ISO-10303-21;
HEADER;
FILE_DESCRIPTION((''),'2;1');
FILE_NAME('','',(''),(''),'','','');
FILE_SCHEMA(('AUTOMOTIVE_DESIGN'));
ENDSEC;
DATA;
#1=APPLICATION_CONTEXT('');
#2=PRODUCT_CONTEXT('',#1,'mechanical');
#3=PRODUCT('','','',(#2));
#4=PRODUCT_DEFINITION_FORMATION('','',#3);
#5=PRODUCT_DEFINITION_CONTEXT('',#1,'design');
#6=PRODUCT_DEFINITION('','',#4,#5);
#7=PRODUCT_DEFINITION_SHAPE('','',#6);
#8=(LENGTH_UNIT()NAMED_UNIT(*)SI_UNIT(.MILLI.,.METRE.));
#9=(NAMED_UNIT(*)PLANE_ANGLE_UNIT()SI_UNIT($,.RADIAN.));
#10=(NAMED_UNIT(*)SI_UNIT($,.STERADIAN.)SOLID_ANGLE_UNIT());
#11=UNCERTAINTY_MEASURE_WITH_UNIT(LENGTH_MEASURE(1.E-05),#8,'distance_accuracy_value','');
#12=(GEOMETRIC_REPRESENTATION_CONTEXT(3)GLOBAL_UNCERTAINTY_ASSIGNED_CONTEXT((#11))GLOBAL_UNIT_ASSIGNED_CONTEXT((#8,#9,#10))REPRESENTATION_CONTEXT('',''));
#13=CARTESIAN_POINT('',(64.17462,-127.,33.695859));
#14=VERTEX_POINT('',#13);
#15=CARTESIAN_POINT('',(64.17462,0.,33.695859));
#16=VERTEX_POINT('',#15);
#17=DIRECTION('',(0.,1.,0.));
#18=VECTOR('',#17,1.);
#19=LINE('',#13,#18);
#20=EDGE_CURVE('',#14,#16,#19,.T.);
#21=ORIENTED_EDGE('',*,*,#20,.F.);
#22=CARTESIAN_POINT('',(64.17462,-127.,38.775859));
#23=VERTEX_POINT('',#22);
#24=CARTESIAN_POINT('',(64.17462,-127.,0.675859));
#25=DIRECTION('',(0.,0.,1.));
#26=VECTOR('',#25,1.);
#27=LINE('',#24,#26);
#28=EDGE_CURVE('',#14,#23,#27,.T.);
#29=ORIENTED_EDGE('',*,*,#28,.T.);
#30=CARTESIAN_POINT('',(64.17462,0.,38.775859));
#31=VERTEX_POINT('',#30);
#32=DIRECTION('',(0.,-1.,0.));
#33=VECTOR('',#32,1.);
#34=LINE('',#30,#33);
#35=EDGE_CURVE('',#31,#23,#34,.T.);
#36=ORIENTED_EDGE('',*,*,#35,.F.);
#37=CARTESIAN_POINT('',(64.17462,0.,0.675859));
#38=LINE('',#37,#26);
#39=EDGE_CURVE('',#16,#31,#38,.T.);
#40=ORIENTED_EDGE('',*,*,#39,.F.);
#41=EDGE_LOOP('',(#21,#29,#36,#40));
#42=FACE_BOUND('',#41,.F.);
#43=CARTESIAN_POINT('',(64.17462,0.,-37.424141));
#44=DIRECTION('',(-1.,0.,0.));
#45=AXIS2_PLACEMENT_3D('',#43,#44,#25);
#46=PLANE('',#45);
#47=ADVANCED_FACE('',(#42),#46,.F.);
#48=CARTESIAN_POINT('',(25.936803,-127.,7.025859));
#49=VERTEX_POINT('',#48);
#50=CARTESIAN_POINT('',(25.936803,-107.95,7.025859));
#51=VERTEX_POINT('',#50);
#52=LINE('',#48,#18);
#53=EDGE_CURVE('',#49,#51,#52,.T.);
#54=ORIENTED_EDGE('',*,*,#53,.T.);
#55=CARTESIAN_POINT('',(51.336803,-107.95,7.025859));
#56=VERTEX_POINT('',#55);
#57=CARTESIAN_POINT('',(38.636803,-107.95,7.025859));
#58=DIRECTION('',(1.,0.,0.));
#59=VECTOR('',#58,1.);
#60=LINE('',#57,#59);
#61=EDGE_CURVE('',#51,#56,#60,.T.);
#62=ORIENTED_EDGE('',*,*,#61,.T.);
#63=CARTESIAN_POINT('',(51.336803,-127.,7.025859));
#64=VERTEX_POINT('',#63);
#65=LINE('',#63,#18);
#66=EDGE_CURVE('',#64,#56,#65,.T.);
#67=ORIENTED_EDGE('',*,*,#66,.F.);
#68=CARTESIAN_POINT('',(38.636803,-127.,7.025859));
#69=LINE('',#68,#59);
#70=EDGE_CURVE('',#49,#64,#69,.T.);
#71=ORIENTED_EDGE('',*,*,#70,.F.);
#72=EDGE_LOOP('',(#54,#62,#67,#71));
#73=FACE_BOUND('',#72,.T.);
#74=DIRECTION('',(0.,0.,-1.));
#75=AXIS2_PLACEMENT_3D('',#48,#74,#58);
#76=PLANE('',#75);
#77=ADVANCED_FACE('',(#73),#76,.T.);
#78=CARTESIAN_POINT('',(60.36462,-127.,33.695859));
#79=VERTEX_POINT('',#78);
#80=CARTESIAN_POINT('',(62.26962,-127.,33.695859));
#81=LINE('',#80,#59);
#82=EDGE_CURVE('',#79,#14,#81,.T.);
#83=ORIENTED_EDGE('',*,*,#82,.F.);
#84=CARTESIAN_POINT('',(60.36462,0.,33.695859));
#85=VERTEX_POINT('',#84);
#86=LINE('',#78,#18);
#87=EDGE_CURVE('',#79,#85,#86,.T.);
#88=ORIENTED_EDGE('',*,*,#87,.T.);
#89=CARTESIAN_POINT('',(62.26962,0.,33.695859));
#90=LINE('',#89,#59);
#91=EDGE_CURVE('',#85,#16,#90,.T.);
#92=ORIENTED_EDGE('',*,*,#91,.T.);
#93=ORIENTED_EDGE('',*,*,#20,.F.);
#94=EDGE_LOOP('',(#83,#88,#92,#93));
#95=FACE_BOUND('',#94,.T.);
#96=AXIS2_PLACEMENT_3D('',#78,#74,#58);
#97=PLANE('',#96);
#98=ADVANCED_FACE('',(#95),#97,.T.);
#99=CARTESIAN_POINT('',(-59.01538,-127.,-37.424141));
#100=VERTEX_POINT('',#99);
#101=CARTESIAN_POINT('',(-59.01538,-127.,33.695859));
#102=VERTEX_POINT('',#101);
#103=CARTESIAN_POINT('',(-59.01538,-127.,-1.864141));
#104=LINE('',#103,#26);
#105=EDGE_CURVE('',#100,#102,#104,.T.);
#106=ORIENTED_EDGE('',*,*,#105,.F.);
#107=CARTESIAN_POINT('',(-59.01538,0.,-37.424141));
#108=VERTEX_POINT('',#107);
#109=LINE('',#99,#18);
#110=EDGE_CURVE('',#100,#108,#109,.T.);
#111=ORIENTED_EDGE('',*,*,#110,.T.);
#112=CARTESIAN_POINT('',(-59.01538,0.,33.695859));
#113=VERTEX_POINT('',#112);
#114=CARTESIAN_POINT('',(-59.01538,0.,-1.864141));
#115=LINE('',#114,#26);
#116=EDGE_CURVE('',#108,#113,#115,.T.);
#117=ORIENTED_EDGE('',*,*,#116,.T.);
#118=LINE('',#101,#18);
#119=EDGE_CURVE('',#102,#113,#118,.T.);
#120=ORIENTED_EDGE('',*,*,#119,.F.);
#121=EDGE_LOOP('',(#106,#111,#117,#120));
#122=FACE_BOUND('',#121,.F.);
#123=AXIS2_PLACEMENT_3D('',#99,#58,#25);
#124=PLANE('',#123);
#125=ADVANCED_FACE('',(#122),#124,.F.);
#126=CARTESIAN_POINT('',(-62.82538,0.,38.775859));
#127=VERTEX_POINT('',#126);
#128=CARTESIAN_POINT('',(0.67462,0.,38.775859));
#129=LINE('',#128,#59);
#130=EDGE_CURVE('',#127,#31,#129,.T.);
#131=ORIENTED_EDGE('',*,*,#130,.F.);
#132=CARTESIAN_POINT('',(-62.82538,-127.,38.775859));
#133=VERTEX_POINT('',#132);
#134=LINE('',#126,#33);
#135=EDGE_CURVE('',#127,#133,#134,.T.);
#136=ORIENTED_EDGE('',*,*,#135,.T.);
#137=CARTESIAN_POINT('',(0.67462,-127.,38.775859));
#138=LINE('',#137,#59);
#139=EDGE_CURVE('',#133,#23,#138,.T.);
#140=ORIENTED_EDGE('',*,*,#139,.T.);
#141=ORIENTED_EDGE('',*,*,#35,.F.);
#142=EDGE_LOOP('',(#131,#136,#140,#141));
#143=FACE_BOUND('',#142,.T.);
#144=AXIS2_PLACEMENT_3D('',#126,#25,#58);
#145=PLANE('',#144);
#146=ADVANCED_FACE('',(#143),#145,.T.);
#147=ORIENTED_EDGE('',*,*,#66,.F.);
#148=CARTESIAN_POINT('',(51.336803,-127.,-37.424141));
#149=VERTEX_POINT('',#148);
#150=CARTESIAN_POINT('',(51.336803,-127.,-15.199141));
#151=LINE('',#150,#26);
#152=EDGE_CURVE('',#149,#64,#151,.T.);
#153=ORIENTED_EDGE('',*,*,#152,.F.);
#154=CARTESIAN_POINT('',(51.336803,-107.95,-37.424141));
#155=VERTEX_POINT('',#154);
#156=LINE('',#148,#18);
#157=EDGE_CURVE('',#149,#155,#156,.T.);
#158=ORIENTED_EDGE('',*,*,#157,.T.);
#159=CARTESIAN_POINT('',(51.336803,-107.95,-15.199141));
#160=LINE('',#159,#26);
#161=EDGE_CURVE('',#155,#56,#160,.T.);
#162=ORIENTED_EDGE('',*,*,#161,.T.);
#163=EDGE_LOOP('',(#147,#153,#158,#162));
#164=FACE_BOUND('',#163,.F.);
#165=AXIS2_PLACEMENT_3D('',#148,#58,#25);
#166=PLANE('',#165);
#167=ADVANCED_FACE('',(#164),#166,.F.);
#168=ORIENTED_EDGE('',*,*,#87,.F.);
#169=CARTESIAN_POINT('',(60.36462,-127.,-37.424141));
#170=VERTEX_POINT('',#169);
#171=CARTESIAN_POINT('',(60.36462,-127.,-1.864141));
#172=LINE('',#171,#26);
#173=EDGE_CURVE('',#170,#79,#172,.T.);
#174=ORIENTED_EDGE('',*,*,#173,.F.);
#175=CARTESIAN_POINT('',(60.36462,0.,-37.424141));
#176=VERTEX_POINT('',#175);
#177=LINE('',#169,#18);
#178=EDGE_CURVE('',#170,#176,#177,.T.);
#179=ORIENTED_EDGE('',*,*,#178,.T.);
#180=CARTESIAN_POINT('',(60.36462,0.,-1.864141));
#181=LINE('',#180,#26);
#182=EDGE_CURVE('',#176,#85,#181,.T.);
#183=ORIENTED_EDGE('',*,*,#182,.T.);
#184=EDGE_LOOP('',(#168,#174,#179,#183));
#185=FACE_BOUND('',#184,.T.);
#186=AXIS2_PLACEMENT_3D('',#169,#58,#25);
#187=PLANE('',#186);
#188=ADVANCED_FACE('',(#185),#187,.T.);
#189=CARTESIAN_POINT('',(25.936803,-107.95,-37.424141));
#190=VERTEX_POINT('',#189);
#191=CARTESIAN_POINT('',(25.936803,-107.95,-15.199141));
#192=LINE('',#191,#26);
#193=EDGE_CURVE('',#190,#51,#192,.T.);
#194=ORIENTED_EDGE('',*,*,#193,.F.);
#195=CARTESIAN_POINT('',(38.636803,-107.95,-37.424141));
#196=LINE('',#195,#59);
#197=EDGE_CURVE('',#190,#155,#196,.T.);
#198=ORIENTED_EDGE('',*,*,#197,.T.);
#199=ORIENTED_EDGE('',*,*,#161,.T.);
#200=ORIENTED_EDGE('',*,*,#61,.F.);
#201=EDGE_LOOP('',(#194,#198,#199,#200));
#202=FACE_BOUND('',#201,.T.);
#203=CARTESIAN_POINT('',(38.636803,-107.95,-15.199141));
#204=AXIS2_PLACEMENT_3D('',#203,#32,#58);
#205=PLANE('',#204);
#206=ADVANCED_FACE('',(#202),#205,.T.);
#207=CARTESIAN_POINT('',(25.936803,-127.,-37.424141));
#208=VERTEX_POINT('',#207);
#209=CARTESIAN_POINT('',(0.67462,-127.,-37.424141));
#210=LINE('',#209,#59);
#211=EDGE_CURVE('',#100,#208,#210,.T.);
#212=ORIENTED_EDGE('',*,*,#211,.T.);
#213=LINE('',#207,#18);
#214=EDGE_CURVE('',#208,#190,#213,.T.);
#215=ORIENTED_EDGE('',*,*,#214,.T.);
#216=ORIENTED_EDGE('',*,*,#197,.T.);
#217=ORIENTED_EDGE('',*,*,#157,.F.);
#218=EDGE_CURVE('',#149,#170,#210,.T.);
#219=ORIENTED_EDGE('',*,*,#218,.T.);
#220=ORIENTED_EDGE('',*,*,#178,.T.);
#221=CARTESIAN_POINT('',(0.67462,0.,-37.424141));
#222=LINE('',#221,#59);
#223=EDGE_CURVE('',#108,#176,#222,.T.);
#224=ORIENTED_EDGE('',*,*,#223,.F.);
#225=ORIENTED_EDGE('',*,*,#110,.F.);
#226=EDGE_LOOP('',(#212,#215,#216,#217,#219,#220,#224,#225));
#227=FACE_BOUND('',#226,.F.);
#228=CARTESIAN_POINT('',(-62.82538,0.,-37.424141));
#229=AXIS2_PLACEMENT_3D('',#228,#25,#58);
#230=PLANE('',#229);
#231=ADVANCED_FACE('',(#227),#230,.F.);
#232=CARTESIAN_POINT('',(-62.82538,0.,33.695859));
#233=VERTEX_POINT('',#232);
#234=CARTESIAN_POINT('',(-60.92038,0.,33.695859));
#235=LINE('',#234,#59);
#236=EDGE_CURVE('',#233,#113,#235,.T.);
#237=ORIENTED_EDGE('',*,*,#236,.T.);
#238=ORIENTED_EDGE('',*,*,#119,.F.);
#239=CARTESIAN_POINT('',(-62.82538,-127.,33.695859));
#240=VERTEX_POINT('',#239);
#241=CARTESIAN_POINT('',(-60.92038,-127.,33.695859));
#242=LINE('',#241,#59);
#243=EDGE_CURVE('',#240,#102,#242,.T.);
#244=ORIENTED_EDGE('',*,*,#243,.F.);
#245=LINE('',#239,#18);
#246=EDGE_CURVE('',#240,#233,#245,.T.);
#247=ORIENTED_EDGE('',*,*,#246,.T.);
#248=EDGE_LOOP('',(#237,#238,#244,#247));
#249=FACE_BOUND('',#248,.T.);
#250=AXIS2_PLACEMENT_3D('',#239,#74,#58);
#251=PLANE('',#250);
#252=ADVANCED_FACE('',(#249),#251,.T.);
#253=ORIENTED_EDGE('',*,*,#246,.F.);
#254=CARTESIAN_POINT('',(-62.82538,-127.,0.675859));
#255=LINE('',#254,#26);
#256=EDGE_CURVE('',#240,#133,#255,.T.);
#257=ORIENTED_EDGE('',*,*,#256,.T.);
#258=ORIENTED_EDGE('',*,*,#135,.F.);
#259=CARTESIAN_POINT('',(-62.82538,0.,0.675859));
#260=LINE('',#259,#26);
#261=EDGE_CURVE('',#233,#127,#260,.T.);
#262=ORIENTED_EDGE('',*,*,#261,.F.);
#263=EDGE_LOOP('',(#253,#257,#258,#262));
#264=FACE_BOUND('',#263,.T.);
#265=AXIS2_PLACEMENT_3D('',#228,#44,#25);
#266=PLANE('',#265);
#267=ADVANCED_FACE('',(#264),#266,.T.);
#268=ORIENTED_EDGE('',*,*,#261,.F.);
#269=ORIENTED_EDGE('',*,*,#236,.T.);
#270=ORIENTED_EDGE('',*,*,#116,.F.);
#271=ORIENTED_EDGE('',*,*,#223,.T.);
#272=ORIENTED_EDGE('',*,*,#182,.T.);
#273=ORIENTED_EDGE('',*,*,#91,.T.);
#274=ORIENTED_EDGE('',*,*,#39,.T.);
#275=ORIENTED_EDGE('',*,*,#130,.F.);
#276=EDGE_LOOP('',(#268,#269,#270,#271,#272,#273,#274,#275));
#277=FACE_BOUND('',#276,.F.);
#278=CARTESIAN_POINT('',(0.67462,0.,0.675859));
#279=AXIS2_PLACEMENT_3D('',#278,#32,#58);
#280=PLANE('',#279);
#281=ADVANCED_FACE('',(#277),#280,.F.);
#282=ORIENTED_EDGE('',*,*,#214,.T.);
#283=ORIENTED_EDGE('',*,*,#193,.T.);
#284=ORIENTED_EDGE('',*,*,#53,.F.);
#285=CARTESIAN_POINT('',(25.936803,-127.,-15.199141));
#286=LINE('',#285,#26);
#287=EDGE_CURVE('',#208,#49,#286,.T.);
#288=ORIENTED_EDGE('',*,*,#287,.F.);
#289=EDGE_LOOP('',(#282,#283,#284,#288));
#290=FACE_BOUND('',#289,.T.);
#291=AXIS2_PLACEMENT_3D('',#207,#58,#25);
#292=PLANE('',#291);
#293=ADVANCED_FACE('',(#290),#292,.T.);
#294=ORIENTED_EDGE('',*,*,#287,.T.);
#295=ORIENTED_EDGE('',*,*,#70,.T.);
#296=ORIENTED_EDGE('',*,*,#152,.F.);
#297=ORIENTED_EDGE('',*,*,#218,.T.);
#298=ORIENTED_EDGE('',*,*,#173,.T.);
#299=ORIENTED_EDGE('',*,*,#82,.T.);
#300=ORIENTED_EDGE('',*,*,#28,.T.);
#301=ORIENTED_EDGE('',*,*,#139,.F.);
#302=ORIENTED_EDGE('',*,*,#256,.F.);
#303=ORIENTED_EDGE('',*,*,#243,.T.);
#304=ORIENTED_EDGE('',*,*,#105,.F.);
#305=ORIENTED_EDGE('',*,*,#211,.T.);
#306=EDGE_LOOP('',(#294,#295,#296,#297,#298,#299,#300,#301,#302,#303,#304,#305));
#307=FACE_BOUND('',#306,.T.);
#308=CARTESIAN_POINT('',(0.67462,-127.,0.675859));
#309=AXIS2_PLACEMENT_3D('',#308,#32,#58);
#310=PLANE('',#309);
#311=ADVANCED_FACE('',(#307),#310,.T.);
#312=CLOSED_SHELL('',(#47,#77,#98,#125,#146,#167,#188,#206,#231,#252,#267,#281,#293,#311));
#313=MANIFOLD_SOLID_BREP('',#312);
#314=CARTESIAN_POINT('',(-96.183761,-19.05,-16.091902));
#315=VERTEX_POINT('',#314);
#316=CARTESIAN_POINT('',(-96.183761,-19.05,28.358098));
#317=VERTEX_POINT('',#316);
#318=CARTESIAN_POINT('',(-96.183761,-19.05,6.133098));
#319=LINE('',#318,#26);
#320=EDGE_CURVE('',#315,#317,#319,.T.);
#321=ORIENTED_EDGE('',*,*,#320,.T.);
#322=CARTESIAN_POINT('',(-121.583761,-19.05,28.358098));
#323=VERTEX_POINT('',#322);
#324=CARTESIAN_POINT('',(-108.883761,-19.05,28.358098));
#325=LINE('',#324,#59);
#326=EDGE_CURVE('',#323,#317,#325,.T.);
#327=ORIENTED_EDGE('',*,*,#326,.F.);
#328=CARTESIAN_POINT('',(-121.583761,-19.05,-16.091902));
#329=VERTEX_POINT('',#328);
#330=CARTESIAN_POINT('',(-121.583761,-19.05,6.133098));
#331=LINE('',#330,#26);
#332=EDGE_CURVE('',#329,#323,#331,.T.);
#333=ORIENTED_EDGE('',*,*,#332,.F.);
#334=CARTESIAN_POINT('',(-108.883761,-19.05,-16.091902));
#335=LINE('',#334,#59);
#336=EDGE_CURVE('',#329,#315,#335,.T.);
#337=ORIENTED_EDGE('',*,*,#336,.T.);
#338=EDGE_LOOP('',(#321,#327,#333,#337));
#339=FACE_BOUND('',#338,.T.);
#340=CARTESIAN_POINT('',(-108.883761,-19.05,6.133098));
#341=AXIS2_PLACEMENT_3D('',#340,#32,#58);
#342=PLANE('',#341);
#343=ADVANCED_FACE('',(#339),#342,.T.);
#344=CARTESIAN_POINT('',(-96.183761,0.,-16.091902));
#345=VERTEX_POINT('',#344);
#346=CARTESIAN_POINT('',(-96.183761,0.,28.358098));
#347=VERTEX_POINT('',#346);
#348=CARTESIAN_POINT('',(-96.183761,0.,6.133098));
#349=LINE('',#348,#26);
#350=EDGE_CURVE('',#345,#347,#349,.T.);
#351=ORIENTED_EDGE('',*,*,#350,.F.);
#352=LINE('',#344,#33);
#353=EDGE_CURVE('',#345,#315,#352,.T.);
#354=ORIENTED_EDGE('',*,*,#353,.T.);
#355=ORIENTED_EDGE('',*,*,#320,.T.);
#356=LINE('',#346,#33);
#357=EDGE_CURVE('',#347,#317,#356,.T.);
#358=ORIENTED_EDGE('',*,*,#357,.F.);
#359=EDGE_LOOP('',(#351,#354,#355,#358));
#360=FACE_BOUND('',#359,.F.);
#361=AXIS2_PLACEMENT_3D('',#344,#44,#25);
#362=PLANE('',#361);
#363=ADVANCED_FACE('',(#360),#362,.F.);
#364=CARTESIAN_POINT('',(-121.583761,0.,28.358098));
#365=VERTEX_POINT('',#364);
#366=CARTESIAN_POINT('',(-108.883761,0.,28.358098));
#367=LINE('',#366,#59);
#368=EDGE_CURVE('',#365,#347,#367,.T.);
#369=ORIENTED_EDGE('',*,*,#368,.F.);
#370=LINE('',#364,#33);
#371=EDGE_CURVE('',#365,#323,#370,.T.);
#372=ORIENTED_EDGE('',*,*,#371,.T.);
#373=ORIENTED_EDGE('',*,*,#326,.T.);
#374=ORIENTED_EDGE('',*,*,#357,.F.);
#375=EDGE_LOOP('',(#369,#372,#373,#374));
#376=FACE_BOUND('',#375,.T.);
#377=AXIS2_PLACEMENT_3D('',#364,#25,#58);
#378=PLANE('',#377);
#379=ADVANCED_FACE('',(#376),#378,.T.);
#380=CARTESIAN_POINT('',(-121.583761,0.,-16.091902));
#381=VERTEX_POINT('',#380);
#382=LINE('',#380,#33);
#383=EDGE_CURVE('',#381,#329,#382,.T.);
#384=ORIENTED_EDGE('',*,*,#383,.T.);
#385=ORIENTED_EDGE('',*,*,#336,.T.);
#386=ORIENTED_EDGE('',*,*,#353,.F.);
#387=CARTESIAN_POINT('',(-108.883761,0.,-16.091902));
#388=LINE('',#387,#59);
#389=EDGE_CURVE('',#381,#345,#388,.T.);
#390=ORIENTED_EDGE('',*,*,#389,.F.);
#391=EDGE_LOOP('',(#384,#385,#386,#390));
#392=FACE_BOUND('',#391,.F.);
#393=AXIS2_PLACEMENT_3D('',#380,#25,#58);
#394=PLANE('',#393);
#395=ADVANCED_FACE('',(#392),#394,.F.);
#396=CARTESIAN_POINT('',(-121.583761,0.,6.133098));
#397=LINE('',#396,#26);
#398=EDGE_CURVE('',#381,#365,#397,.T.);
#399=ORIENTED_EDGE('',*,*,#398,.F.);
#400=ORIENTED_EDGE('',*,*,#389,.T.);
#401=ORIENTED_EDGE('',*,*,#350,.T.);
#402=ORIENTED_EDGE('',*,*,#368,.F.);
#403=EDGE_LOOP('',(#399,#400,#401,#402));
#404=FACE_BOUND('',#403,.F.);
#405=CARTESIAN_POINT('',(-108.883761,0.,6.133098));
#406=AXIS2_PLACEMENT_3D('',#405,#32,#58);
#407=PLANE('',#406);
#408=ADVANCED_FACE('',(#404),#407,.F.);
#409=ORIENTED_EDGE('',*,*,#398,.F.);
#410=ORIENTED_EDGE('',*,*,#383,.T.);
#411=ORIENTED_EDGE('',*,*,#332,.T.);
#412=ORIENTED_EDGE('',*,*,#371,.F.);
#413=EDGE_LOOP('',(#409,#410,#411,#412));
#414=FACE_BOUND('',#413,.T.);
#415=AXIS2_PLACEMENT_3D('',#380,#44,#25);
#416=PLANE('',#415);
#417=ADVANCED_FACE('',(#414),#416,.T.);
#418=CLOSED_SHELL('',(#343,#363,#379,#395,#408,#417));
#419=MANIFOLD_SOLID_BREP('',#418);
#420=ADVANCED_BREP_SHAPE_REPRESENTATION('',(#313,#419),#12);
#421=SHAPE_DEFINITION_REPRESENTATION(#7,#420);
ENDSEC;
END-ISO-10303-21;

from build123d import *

# Parameters (mm, degrees)
F0_W     = 127
F0_H     = 76.2
F1_DEPTH = 127
F2_W     = 25.4
F2_H     = 44.45
F3_DEPTH = 19.05
F4_W     = 25.4
F4_H     = 44.45
F5_DEPTH = 19.05
F6_W     = 3.81
F6_H     = 71.12
F7_DEPTH = 127
F8_W     = 3.81
F8_H     = 71.12
F9_DEPTH = 127


with BuildPart() as f1:
    # F0 (on Front) → F1 (new body)
    with BuildSketch(Plane.XZ):
        with Locations((0.67462, 0.675859)):
            Rectangle(F0_W, F0_H)
    extrude(amount=F1_DEPTH)

    # F2 (on face) → F3 (cut)
    with BuildSketch(Plane.XZ.offset(127)):
        with Locations((38.636803, -15.199141)):
            Rectangle(F2_W, F2_H)
    extrude(amount=-F3_DEPTH, mode=Mode.SUBTRACT)

    # F6 (on face) → F7 (cut)
    with BuildSketch(Plane.XZ.offset(127)):
        with Locations((-60.92038, -1.864141)):
            Rectangle(F6_W, F6_H)
    extrude(amount=-F7_DEPTH, mode=Mode.SUBTRACT)

    # F8 (on face) → F9 (cut)
    with BuildSketch(Plane.XZ.offset(127)):
        with Locations((62.26962, -1.864141)):
            Rectangle(F8_W, F8_H)
    extrude(amount=-F9_DEPTH, mode=Mode.SUBTRACT)


with BuildPart() as f5:
    # F4 (on Front) → F5 (new body)
    with BuildSketch(Plane.XZ):
        with Locations((-108.883761, 6.133098)):
            Rectangle(F4_W, F4_H)
    extrude(amount=F5_DEPTH)


solid = Compound([f1.part, f5.part])
